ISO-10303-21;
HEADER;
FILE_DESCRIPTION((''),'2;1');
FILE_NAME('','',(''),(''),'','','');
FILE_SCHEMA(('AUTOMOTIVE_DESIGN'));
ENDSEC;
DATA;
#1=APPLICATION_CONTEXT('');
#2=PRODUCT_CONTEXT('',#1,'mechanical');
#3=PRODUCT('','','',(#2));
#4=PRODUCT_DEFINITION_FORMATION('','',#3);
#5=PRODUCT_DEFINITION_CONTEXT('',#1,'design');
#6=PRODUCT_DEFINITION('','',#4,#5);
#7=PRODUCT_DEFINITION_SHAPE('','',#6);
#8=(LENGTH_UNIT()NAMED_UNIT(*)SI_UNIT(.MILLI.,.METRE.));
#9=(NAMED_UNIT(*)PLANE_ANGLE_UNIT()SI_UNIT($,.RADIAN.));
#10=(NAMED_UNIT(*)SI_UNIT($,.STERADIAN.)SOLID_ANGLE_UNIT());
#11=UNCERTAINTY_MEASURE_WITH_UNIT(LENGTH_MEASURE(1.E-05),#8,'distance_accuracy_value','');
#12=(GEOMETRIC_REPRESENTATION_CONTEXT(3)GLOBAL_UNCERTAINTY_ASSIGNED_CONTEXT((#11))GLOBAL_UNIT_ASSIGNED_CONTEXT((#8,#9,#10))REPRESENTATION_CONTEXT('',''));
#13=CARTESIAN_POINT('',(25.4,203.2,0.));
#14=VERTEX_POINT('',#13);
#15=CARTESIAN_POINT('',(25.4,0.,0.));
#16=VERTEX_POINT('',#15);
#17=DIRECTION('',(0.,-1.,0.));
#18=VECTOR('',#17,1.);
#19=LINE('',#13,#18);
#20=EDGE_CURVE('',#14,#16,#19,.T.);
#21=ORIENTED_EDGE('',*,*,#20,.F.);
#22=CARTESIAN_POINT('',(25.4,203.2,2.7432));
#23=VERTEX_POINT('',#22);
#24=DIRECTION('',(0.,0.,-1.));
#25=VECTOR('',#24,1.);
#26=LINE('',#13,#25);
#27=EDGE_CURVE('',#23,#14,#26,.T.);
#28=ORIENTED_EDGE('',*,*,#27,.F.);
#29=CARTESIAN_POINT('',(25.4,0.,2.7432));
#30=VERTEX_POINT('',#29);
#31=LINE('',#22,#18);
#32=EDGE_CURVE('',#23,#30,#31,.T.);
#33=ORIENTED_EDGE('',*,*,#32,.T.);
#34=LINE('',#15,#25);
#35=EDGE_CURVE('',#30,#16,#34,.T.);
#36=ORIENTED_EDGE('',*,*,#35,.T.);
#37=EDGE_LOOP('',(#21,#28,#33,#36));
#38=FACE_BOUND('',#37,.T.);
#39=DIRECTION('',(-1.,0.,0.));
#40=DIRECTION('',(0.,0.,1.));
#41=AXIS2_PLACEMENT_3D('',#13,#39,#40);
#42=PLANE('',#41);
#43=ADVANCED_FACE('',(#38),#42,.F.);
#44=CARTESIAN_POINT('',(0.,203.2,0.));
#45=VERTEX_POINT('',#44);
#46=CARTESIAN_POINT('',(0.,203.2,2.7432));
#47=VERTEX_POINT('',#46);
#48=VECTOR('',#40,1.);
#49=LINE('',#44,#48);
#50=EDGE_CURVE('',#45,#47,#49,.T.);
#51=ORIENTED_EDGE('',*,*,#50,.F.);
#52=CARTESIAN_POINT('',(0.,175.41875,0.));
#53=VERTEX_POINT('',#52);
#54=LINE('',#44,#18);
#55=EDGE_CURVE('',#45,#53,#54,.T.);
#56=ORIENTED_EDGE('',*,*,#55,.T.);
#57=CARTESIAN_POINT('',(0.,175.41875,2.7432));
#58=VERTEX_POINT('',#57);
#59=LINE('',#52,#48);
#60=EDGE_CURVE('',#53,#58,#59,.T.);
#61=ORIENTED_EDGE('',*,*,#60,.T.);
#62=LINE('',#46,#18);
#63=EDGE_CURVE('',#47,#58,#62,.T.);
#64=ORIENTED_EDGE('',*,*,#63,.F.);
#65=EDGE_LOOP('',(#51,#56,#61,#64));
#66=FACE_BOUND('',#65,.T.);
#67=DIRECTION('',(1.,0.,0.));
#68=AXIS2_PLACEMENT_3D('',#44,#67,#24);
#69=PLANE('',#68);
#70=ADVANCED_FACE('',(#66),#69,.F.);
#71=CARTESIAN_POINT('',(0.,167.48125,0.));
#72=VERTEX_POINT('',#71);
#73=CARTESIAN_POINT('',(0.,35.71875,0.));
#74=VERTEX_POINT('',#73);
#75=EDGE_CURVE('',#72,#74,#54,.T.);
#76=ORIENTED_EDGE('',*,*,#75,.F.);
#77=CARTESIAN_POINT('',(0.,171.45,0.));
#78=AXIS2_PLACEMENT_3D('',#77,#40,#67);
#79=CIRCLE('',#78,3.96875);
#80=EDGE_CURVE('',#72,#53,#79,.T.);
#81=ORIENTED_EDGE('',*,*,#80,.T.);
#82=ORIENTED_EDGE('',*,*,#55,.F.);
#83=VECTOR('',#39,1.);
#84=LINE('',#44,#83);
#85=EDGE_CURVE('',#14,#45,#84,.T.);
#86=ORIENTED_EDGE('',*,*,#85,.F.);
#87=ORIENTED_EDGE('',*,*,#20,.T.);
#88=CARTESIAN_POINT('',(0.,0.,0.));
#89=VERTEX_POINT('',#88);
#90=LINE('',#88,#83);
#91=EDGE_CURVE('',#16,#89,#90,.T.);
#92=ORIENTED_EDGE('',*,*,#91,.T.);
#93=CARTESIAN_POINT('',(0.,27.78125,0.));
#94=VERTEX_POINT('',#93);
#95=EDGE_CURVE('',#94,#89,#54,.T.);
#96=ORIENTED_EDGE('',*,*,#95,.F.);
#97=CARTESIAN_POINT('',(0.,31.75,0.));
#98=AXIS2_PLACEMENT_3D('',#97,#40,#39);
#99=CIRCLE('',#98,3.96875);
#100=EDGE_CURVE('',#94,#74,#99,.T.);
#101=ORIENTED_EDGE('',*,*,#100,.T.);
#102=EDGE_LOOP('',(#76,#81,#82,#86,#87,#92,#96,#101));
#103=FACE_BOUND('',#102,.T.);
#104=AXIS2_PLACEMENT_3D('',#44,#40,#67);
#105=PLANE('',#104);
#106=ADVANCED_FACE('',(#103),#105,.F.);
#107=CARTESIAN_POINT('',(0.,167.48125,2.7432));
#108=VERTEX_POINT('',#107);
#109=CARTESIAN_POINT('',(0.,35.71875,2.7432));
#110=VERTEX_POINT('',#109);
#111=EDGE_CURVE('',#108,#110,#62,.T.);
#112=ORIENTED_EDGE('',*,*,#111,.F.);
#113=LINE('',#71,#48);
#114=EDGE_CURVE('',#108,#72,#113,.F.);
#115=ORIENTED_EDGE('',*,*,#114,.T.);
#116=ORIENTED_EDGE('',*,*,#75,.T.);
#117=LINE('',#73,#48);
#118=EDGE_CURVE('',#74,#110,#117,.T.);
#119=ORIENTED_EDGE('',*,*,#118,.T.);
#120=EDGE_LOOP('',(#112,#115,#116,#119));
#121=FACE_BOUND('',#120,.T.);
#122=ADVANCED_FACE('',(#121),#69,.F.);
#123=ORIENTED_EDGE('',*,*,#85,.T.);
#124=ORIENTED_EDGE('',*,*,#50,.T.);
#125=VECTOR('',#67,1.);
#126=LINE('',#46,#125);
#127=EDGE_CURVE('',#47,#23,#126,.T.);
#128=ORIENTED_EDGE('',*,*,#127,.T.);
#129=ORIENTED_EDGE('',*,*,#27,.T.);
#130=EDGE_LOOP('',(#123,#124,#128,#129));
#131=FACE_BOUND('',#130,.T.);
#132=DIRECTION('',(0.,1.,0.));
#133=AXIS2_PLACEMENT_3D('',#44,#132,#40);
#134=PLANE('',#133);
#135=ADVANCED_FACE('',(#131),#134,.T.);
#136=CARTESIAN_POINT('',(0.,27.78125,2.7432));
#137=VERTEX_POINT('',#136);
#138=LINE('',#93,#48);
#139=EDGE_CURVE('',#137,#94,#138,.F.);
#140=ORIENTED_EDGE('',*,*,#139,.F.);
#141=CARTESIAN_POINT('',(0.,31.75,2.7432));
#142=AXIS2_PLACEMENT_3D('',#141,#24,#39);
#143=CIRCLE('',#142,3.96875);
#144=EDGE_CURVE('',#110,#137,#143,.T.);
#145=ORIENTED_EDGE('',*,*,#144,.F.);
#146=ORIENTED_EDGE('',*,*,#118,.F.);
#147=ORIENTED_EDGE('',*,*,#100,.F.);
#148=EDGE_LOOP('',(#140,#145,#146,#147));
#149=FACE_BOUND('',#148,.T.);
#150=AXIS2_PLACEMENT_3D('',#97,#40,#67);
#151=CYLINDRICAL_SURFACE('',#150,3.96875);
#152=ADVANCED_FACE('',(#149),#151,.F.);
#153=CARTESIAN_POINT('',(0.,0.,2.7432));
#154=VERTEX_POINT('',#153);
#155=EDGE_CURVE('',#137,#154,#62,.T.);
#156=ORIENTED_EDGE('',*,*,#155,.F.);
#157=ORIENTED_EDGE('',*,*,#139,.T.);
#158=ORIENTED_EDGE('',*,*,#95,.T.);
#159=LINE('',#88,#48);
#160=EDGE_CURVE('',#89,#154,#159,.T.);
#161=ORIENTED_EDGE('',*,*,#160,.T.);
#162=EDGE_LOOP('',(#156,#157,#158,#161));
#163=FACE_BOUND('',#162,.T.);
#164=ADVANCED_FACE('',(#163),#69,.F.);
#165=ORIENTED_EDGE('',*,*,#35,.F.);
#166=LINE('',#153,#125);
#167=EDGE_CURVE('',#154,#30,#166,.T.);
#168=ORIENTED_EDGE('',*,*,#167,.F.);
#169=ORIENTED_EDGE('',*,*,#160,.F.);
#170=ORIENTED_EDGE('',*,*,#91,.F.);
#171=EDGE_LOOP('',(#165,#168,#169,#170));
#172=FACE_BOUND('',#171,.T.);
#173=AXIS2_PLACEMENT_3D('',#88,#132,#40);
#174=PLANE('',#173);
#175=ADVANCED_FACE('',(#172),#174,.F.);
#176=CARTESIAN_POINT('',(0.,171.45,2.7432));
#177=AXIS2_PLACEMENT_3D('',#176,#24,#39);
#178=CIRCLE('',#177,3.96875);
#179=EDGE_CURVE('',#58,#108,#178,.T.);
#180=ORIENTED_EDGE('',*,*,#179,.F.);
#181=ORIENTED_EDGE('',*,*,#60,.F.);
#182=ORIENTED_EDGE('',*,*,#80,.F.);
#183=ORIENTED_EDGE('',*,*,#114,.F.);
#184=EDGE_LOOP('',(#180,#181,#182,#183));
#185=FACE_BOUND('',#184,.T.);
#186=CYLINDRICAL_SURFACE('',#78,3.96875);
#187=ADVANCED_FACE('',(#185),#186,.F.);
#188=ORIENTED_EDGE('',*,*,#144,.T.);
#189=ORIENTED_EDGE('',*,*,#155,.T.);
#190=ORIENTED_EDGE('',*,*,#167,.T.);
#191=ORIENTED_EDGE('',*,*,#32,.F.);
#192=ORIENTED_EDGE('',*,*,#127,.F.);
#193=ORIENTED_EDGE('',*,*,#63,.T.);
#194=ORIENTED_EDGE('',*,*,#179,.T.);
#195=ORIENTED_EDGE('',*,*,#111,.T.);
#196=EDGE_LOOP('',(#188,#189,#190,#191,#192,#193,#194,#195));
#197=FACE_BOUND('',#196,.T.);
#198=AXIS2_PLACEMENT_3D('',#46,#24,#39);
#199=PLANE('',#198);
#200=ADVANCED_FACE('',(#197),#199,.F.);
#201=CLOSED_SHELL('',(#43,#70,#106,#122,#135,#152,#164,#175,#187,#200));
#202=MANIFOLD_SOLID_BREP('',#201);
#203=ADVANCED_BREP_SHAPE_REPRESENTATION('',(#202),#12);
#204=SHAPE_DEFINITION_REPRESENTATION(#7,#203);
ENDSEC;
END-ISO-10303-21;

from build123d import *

# Parameters (mm, degrees)
SKETCH1_W               = 25.4
SKETCH1_H               = 2.7432
BOSS_EXTRUDE1_DEPTH     = 203.2
CUT_EXTRUDE1_DEPTH      = 111.720339735
CUT_EXTRUDE1_DEPTH_BACK = 111.720339735
SKETCH2_R               = 3.96875


with BuildPart() as part:
    # Sketch1 → Boss-Extrude1 (new body)
    with BuildSketch(Plane(origin=(0, 0, 0), x_dir=(1, 0, 0), z_dir=(0, 1, 0))):
        with Locations((12.7, -1.3716)):
            Rectangle(SKETCH1_W, SKETCH1_H)
    extrude(amount=BOSS_EXTRUDE1_DEPTH)

    # Sketch2 → Cut-Extrude1 (cut, two sides: drawn at the far end of the back side and taken through both)
    with BuildSketch(Plane(origin=(-3.908296933, 106.606717755, 5.9182), x_dir=(1, 0, 0), z_dir=(0, 0, 1)).offset(-CUT_EXTRUDE1_DEPTH_BACK)):
        with Locations((3.908296933, 64.843282245)):
            Circle(SKETCH2_R)
        with Locations((3.908296933, -74.856717755)):
            Circle(SKETCH2_R)
    extrude(amount=CUT_EXTRUDE1_DEPTH + CUT_EXTRUDE1_DEPTH_BACK, mode=Mode.SUBTRACT)


solid = part.part
